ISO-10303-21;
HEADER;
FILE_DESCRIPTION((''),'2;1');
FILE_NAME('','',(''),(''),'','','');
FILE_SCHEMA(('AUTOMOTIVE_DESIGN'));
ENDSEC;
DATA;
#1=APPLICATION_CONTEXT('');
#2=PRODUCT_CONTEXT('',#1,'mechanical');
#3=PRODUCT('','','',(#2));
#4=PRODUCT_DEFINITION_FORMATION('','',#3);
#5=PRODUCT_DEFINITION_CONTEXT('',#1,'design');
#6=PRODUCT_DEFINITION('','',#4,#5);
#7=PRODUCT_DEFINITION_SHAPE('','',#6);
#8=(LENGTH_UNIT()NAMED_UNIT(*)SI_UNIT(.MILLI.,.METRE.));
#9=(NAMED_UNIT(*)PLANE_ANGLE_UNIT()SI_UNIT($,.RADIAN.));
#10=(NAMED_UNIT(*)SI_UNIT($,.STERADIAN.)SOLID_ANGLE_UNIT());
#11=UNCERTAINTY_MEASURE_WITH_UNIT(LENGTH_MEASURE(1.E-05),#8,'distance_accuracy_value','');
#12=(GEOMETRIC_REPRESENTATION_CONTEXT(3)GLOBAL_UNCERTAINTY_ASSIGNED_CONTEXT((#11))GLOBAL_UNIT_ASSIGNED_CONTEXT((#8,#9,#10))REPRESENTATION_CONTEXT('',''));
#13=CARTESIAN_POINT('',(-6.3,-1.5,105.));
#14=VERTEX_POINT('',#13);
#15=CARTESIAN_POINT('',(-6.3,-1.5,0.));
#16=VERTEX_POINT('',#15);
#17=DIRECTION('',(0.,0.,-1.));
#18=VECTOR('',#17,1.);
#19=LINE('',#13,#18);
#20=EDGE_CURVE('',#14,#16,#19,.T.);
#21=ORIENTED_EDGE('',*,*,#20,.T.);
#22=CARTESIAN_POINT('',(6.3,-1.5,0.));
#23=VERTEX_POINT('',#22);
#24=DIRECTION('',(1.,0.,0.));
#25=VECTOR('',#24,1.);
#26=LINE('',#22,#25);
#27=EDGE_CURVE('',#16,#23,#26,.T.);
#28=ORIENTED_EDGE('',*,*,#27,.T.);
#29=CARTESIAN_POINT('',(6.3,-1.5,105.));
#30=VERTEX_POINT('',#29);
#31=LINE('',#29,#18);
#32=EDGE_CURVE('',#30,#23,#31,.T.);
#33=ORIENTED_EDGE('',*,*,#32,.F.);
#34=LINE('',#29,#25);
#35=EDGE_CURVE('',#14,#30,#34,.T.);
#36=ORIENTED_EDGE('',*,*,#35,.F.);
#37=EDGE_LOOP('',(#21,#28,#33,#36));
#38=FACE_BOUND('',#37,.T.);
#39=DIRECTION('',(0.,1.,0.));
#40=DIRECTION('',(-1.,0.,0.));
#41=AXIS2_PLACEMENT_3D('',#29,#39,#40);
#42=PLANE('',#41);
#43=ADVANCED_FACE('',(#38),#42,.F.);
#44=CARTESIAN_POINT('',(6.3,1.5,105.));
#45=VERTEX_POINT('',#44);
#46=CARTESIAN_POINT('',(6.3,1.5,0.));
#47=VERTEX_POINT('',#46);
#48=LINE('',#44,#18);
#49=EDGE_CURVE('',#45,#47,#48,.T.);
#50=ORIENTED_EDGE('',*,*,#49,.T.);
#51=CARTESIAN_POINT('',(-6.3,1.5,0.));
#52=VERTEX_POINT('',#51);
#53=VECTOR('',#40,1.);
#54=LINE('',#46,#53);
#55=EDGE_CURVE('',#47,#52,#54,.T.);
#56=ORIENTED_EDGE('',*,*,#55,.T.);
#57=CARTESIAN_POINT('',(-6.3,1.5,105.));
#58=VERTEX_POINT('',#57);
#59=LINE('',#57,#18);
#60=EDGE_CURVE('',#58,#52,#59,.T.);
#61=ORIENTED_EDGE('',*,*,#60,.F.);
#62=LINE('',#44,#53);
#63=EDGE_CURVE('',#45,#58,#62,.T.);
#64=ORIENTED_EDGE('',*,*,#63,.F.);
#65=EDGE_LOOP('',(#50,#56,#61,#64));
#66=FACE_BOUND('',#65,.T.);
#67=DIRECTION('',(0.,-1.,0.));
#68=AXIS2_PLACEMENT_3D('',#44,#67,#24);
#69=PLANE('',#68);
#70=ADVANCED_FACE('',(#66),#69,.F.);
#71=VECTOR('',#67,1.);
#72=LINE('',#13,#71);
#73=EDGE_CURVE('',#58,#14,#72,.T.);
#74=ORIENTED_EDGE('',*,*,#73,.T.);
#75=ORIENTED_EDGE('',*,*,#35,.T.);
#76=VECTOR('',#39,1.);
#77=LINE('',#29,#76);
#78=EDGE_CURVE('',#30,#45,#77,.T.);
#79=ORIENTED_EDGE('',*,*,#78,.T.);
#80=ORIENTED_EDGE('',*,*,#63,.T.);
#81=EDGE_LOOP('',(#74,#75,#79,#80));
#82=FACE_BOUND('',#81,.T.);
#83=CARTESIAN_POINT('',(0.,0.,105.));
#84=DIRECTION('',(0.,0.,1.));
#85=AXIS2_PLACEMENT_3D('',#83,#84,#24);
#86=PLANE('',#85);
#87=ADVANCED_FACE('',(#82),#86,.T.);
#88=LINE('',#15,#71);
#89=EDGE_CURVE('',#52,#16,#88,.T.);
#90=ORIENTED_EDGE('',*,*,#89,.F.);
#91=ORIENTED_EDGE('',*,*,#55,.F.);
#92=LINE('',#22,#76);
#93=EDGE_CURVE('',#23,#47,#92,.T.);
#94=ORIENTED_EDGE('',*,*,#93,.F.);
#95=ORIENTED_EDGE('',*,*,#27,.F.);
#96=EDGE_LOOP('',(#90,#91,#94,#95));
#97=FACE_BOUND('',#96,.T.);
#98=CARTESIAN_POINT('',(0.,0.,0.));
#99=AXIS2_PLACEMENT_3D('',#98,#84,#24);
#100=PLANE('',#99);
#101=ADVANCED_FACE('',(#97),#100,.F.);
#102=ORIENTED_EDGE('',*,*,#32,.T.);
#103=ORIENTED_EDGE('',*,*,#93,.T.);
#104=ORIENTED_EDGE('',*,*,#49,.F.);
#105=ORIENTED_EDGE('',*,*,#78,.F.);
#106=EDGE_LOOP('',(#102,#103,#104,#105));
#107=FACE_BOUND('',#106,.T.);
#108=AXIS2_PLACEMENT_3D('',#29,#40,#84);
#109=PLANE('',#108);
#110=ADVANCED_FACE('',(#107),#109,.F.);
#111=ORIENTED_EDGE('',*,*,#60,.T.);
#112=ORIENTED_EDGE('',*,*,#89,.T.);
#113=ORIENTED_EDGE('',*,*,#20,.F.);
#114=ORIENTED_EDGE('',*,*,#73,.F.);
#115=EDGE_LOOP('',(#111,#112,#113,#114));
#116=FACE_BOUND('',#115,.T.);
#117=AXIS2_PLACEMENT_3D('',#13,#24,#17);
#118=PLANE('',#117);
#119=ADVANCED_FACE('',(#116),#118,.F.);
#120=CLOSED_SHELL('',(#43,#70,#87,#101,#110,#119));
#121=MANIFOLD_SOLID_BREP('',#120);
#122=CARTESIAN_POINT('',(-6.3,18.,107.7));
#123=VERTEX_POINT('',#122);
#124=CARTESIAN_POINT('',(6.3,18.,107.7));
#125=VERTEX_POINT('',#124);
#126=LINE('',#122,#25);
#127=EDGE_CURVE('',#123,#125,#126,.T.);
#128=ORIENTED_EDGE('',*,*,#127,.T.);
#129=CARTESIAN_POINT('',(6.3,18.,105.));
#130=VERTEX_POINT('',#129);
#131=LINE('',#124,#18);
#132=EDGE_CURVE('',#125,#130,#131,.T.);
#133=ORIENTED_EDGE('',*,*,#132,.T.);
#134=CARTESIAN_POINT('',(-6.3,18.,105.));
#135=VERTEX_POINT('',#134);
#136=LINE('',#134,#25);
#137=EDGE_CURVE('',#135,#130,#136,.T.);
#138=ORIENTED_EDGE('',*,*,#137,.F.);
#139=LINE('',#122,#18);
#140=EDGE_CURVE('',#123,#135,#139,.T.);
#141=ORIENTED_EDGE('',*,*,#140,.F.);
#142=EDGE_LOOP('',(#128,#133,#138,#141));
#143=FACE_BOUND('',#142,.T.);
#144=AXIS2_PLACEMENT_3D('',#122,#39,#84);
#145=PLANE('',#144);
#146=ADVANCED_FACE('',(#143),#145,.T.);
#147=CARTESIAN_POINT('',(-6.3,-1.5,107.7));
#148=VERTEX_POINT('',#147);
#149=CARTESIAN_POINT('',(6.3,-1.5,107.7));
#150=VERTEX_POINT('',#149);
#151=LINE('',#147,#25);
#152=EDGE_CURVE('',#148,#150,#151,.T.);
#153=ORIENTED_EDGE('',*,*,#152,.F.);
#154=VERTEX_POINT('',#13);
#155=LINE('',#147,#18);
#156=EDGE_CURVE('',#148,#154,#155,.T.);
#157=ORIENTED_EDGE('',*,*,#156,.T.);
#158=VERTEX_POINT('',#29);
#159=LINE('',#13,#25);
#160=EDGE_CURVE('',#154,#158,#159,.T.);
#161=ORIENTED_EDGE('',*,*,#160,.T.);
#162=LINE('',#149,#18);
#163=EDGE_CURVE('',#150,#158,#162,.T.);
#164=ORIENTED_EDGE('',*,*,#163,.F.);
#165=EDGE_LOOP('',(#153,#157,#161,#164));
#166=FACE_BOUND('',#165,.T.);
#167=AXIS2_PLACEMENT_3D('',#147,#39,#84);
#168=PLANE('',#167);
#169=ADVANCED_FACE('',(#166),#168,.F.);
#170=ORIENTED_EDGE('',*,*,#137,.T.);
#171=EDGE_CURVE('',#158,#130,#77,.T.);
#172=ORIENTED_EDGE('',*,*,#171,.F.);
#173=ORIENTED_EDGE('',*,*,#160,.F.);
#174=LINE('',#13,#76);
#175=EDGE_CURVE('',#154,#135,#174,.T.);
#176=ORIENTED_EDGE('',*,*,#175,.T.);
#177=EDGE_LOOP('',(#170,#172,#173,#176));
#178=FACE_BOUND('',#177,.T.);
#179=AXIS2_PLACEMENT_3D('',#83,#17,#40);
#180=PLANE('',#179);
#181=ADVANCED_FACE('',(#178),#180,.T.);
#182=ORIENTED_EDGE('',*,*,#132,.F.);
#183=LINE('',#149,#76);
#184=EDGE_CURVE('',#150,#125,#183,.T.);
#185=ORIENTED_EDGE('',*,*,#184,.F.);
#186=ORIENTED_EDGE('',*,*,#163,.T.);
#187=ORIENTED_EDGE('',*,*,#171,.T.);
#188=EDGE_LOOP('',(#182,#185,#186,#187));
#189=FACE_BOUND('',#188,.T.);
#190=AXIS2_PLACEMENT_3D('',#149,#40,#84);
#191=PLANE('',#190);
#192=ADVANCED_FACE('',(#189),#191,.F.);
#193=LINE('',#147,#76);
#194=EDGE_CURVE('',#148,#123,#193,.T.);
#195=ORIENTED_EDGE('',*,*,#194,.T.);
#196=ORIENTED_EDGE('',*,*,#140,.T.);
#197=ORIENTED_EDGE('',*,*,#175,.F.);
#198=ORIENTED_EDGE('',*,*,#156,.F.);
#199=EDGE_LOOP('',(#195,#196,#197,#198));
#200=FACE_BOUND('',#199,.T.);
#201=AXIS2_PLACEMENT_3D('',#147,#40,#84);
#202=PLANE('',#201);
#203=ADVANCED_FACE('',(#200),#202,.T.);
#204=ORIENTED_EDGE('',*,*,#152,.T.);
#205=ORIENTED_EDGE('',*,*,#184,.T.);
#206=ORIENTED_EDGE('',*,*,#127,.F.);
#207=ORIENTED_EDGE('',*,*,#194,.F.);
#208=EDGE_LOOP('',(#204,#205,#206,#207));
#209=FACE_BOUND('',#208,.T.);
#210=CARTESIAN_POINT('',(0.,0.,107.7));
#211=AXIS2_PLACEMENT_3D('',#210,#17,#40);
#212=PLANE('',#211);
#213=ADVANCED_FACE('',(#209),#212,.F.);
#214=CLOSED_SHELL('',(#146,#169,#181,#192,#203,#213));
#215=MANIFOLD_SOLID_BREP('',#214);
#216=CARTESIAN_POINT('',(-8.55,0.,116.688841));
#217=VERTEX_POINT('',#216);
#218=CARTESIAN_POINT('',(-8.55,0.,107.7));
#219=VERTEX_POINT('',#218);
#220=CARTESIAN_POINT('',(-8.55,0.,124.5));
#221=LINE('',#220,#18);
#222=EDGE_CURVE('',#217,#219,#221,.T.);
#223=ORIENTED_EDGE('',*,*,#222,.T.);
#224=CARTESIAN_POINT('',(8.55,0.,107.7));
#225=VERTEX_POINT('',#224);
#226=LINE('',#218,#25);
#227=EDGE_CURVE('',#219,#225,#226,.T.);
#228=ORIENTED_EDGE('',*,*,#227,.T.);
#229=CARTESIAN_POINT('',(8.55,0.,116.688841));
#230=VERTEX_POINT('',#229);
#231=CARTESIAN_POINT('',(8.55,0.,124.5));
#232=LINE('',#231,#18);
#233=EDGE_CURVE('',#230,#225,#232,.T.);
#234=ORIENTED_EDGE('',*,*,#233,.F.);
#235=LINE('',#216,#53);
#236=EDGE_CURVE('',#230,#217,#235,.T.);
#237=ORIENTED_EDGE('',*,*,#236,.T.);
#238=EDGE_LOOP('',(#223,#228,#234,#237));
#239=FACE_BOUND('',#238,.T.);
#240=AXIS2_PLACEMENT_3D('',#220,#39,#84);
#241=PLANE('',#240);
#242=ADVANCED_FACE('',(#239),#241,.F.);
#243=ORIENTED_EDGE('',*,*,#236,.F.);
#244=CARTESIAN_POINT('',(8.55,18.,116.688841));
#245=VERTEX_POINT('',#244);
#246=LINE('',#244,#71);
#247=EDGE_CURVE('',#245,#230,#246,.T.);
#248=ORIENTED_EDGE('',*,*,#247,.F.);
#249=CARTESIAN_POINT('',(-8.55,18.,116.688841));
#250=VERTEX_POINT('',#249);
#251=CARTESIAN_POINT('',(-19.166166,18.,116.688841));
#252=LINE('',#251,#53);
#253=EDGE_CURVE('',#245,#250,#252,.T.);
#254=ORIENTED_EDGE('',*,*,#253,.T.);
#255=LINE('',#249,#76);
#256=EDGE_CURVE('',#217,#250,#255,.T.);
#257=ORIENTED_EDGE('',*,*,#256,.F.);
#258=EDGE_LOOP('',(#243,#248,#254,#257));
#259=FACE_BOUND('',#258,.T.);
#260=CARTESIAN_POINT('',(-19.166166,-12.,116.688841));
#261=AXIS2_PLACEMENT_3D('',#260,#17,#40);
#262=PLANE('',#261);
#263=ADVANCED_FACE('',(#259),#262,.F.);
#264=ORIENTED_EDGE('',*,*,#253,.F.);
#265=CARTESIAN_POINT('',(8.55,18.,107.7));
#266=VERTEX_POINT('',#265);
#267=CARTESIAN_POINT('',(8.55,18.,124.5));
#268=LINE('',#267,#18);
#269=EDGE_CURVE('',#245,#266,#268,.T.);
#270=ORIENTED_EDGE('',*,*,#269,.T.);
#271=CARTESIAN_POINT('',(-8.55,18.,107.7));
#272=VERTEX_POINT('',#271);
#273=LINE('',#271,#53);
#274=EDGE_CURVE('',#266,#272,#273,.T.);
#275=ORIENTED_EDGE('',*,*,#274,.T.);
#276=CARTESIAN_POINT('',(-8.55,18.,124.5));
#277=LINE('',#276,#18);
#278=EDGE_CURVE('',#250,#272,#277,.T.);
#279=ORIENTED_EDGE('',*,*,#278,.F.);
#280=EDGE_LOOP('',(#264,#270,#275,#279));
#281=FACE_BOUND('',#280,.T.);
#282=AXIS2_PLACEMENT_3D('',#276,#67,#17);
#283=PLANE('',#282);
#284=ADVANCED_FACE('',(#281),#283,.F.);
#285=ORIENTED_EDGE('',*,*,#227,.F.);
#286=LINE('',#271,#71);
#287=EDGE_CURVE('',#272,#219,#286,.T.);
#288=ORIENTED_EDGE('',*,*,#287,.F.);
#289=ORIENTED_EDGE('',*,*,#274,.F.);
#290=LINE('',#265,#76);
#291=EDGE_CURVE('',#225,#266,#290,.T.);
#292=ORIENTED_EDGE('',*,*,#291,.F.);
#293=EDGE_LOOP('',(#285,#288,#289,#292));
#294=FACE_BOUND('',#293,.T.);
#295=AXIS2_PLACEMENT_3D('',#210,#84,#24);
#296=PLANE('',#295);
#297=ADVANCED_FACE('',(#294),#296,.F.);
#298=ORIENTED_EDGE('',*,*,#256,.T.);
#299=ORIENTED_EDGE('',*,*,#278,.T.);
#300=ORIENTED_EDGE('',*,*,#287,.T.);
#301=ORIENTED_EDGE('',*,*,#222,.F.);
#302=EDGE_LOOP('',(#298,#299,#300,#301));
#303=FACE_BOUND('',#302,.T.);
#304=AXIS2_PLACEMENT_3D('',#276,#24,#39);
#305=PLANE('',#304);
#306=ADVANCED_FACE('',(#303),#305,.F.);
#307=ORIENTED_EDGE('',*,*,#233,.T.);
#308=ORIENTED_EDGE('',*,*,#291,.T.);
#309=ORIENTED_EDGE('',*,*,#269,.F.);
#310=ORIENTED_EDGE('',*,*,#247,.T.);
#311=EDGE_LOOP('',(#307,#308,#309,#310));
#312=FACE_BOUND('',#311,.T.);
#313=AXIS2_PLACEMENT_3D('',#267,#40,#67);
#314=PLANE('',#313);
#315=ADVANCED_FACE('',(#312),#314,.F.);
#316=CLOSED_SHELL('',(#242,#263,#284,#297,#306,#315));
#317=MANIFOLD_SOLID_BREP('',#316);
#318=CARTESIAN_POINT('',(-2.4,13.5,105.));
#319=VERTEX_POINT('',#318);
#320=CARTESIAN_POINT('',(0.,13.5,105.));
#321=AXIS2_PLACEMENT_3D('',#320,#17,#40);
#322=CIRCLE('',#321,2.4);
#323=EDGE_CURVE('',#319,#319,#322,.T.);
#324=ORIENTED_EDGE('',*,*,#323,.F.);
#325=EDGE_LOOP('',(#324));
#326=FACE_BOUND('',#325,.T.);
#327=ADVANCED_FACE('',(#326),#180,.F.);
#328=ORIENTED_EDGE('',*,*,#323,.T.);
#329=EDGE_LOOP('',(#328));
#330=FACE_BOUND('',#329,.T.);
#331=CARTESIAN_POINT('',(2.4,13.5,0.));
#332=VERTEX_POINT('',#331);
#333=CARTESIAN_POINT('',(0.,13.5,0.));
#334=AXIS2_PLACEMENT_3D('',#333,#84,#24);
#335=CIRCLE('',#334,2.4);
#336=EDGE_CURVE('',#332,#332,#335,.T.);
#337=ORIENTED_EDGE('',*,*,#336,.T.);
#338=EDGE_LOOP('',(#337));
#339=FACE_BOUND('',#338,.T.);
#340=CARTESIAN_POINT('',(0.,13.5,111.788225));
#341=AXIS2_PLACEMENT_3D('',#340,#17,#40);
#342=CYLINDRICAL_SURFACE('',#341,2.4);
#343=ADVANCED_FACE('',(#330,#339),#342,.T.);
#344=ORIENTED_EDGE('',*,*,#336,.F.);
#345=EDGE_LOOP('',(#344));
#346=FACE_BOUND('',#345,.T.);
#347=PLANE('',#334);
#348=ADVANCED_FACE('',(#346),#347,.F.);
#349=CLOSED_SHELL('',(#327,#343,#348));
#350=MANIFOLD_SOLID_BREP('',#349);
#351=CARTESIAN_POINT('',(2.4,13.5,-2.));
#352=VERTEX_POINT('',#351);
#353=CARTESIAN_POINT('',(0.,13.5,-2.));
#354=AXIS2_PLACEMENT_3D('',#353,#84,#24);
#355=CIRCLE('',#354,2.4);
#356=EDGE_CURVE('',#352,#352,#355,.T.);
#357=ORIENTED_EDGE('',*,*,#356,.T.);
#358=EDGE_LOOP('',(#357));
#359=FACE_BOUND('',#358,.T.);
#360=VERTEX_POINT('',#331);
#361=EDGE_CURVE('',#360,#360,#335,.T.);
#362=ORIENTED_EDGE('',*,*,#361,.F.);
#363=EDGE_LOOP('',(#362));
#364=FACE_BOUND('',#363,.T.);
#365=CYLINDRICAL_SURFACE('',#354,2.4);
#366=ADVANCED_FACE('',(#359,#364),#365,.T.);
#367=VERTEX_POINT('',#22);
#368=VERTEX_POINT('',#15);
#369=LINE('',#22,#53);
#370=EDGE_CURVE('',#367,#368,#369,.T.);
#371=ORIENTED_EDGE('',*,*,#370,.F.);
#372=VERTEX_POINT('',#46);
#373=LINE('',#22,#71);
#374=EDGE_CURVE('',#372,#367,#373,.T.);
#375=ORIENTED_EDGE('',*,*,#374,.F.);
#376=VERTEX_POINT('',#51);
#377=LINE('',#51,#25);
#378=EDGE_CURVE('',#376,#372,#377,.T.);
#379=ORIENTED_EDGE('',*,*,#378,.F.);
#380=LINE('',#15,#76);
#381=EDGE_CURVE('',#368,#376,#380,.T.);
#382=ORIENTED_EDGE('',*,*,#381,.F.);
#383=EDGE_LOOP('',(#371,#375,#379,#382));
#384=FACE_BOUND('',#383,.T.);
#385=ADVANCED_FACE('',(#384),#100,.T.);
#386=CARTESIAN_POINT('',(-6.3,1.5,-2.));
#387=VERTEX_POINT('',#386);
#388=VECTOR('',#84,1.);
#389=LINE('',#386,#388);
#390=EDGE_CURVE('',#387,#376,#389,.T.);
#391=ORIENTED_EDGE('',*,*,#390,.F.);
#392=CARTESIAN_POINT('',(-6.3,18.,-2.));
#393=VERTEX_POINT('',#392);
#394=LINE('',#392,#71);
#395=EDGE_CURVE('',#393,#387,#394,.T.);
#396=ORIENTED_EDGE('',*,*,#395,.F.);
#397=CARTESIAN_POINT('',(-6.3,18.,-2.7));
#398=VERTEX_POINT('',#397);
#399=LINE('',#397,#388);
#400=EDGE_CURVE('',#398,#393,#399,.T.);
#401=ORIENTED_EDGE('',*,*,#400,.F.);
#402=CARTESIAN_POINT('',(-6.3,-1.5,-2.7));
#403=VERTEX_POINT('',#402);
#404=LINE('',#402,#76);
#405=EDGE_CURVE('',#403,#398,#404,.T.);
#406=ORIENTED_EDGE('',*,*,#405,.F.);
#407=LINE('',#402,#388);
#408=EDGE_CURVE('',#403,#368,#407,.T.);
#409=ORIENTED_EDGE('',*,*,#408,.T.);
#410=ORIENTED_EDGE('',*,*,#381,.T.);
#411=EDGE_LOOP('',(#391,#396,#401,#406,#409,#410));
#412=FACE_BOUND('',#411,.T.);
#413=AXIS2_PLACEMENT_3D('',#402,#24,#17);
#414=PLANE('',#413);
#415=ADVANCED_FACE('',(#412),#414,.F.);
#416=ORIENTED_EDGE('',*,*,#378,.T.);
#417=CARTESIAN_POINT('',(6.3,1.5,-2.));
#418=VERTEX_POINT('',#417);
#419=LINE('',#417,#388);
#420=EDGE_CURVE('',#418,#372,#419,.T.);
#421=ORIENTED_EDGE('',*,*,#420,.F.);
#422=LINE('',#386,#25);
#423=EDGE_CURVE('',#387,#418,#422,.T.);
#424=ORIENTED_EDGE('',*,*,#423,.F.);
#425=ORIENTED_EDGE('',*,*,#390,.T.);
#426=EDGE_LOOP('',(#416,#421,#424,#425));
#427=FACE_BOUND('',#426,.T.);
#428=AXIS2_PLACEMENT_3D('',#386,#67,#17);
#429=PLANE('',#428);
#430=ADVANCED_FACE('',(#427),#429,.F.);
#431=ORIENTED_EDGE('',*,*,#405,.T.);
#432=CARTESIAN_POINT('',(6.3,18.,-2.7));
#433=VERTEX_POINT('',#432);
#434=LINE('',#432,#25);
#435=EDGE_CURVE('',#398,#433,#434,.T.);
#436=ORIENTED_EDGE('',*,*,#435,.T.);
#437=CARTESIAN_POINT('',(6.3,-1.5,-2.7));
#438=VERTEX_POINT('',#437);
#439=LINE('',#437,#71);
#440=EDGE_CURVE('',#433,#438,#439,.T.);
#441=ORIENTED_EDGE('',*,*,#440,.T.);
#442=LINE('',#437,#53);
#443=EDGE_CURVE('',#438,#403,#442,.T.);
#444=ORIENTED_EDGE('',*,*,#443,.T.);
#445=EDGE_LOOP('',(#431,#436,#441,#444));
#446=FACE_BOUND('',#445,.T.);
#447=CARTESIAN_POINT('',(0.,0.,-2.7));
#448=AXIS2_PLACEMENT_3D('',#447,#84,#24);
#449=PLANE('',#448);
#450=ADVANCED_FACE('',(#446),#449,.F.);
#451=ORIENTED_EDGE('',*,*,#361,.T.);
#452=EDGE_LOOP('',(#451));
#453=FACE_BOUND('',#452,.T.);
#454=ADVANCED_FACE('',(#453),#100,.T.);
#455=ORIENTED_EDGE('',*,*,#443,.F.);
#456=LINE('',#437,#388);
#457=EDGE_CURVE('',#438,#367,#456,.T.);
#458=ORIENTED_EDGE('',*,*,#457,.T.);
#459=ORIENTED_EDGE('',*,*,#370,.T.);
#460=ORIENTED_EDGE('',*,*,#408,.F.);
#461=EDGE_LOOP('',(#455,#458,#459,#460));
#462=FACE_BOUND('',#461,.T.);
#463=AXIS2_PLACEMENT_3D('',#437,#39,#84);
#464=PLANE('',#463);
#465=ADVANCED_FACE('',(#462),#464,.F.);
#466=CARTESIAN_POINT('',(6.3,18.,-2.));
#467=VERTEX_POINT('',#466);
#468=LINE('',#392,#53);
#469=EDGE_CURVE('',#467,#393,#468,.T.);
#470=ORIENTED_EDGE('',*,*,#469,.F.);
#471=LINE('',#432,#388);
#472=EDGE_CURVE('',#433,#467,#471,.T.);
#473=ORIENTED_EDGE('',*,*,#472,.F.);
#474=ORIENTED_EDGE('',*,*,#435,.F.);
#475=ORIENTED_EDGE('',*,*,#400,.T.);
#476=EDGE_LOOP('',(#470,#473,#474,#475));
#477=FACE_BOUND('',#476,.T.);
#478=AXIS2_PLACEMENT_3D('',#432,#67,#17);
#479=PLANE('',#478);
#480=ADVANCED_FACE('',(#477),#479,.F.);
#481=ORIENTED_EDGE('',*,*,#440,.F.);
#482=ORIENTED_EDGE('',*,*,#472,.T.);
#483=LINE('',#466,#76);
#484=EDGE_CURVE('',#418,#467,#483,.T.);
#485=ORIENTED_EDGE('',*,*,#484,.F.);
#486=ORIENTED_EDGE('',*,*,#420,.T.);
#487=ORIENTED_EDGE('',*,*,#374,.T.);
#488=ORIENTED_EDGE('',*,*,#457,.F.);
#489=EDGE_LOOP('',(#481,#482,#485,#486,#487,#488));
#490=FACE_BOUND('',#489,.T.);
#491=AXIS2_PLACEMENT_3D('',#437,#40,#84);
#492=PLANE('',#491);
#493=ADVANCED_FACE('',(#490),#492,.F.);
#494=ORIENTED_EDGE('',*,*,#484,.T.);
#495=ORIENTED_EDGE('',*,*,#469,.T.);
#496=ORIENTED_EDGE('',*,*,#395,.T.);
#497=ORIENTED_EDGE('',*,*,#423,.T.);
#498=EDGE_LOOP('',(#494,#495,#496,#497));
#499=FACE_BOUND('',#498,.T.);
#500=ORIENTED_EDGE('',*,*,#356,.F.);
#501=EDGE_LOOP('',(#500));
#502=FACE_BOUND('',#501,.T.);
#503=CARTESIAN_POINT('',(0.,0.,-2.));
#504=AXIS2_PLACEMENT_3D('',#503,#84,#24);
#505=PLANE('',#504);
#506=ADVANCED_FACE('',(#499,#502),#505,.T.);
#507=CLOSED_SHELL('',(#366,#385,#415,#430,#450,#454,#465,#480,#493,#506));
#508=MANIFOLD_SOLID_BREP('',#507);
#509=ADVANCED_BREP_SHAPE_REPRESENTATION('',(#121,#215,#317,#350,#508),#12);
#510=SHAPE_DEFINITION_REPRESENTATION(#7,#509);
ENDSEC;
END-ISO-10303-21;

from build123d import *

# Parameters (mm, degrees)
SKETCH_1_W          = 42
SKETCH_1_H          = 10
EXTRUDE_1_DEPTH     = 350
SKETCH_2_W          = 42
SKETCH_2_H          = 65
EXTRUDE_2_DEPTH     = 9
SKETCH_3_W          = 42
SKETCH_3_H          = 65
EXTRUDE_3_DEPTH     = 9
SKETCH_4_R          = 8
EXTRUDE_4_DEPTH     = 350
SKETCH_5_W          = 57
SKETCH_5_H          = 60
EXTRUDE_5_DEPTH     = 56
SCALE_1_SCALE       = 0.3
SKETCH_6_W          = 12.6
SKETCH_6_H          = 16.5
SKETCH_6_R          = 2.4
CUT_EXTRUDE_1_DEPTH = 2
SKETCH_7_W          = 42.471504896
SKETCH_7_H          = 16.55668835
CUT_EXTRUDE_2_DEPTH = 30


with BuildPart() as part:
    # 草图1 → 凸台-拉伸1 (new body)
    with BuildSketch(Plane.XY):
        Rectangle(SKETCH_1_W, SKETCH_1_H)
    extrude(amount=EXTRUDE_1_DEPTH)


with BuildPart() as body_2:
    # 草图2 → 凸台-拉伸2 (new body)
    with BuildSketch(Plane(origin=(0, 0, 0), x_dir=(-1, 0, 0), z_dir=(0, 0, -1))):
        with Locations((0, 27.5)):
            Rectangle(SKETCH_2_W, SKETCH_2_H)
    extrude(amount=EXTRUDE_2_DEPTH)


with BuildPart() as body_3:
    # 草图3 → 凸台-拉伸3 (new body)
    with BuildSketch(Plane.XY.offset(350)):
        with Locations((0, 27.5)):
            Rectangle(SKETCH_3_W, SKETCH_3_H)
    extrude(amount=EXTRUDE_3_DEPTH)


with BuildPart() as body_4:
    # 草图4 → 凸台-拉伸4 (new body)
    with BuildSketch(Plane.XY):
        with Locations(Location((0, 45, 0), (0, 0, 180))):
            Circle(SKETCH_4_R)
    extrude(amount=EXTRUDE_4_DEPTH)


with BuildPart() as body_5:
    # 草图5 → 凸台-拉伸5 (new body)
    with BuildSketch(Plane.XY.offset(359)):
        with Locations((0, 30)):
            Rectangle(SKETCH_5_W, SKETCH_5_H)
    extrude(amount=EXTRUDE_5_DEPTH)


with BuildPart() as part_1:
    # 缩放比例1: scaled about (0, 0, 0)
    add(part.part.scale(SCALE_1_SCALE))


with BuildPart() as body_4_1:
    # 缩放比例1: scaled about (0, 0, 0)
    add(body_4.part.scale(SCALE_1_SCALE))


with BuildPart() as body_5_1:
    # 缩放比例1: scaled about (0, 0, 0)
    add(body_5.part.scale(SCALE_1_SCALE))

    # 草图7 → 切除-拉伸2 (cut)
    with BuildSketch(Plane(origin=(0, 18, 0), x_dir=(1, 0, 0), z_dir=(0, 1, 0))):
        with Locations((2.069586044, -124.967185352)):
            Rectangle(SKETCH_7_W, SKETCH_7_H)
    extrude(amount=-CUT_EXTRUDE_2_DEPTH, mode=Mode.SUBTRACT)


with BuildPart() as body_2_1:
    # 缩放比例1: scaled about (0, 0, 0)
    add(body_2.part.scale(SCALE_1_SCALE))

    # 草图6 → 切除-拉伸1 (cut)
    with BuildSketch(Plane.XY):
        with Locations((0, 9.75)):
            Rectangle(SKETCH_6_W, SKETCH_6_H)
        with Locations((0, 13.5)):
            Circle(SKETCH_6_R, mode=Mode.SUBTRACT)
    extrude(amount=-CUT_EXTRUDE_1_DEPTH, mode=Mode.SUBTRACT)


with BuildPart() as body_3_1:
    # 缩放比例1: scaled about (0, 0, 0)
    add(body_3.part.scale(SCALE_1_SCALE))


solid = Compound([part_1.part, body_4_1.part, body_5_1.part, body_2_1.part, body_3_1.part])
